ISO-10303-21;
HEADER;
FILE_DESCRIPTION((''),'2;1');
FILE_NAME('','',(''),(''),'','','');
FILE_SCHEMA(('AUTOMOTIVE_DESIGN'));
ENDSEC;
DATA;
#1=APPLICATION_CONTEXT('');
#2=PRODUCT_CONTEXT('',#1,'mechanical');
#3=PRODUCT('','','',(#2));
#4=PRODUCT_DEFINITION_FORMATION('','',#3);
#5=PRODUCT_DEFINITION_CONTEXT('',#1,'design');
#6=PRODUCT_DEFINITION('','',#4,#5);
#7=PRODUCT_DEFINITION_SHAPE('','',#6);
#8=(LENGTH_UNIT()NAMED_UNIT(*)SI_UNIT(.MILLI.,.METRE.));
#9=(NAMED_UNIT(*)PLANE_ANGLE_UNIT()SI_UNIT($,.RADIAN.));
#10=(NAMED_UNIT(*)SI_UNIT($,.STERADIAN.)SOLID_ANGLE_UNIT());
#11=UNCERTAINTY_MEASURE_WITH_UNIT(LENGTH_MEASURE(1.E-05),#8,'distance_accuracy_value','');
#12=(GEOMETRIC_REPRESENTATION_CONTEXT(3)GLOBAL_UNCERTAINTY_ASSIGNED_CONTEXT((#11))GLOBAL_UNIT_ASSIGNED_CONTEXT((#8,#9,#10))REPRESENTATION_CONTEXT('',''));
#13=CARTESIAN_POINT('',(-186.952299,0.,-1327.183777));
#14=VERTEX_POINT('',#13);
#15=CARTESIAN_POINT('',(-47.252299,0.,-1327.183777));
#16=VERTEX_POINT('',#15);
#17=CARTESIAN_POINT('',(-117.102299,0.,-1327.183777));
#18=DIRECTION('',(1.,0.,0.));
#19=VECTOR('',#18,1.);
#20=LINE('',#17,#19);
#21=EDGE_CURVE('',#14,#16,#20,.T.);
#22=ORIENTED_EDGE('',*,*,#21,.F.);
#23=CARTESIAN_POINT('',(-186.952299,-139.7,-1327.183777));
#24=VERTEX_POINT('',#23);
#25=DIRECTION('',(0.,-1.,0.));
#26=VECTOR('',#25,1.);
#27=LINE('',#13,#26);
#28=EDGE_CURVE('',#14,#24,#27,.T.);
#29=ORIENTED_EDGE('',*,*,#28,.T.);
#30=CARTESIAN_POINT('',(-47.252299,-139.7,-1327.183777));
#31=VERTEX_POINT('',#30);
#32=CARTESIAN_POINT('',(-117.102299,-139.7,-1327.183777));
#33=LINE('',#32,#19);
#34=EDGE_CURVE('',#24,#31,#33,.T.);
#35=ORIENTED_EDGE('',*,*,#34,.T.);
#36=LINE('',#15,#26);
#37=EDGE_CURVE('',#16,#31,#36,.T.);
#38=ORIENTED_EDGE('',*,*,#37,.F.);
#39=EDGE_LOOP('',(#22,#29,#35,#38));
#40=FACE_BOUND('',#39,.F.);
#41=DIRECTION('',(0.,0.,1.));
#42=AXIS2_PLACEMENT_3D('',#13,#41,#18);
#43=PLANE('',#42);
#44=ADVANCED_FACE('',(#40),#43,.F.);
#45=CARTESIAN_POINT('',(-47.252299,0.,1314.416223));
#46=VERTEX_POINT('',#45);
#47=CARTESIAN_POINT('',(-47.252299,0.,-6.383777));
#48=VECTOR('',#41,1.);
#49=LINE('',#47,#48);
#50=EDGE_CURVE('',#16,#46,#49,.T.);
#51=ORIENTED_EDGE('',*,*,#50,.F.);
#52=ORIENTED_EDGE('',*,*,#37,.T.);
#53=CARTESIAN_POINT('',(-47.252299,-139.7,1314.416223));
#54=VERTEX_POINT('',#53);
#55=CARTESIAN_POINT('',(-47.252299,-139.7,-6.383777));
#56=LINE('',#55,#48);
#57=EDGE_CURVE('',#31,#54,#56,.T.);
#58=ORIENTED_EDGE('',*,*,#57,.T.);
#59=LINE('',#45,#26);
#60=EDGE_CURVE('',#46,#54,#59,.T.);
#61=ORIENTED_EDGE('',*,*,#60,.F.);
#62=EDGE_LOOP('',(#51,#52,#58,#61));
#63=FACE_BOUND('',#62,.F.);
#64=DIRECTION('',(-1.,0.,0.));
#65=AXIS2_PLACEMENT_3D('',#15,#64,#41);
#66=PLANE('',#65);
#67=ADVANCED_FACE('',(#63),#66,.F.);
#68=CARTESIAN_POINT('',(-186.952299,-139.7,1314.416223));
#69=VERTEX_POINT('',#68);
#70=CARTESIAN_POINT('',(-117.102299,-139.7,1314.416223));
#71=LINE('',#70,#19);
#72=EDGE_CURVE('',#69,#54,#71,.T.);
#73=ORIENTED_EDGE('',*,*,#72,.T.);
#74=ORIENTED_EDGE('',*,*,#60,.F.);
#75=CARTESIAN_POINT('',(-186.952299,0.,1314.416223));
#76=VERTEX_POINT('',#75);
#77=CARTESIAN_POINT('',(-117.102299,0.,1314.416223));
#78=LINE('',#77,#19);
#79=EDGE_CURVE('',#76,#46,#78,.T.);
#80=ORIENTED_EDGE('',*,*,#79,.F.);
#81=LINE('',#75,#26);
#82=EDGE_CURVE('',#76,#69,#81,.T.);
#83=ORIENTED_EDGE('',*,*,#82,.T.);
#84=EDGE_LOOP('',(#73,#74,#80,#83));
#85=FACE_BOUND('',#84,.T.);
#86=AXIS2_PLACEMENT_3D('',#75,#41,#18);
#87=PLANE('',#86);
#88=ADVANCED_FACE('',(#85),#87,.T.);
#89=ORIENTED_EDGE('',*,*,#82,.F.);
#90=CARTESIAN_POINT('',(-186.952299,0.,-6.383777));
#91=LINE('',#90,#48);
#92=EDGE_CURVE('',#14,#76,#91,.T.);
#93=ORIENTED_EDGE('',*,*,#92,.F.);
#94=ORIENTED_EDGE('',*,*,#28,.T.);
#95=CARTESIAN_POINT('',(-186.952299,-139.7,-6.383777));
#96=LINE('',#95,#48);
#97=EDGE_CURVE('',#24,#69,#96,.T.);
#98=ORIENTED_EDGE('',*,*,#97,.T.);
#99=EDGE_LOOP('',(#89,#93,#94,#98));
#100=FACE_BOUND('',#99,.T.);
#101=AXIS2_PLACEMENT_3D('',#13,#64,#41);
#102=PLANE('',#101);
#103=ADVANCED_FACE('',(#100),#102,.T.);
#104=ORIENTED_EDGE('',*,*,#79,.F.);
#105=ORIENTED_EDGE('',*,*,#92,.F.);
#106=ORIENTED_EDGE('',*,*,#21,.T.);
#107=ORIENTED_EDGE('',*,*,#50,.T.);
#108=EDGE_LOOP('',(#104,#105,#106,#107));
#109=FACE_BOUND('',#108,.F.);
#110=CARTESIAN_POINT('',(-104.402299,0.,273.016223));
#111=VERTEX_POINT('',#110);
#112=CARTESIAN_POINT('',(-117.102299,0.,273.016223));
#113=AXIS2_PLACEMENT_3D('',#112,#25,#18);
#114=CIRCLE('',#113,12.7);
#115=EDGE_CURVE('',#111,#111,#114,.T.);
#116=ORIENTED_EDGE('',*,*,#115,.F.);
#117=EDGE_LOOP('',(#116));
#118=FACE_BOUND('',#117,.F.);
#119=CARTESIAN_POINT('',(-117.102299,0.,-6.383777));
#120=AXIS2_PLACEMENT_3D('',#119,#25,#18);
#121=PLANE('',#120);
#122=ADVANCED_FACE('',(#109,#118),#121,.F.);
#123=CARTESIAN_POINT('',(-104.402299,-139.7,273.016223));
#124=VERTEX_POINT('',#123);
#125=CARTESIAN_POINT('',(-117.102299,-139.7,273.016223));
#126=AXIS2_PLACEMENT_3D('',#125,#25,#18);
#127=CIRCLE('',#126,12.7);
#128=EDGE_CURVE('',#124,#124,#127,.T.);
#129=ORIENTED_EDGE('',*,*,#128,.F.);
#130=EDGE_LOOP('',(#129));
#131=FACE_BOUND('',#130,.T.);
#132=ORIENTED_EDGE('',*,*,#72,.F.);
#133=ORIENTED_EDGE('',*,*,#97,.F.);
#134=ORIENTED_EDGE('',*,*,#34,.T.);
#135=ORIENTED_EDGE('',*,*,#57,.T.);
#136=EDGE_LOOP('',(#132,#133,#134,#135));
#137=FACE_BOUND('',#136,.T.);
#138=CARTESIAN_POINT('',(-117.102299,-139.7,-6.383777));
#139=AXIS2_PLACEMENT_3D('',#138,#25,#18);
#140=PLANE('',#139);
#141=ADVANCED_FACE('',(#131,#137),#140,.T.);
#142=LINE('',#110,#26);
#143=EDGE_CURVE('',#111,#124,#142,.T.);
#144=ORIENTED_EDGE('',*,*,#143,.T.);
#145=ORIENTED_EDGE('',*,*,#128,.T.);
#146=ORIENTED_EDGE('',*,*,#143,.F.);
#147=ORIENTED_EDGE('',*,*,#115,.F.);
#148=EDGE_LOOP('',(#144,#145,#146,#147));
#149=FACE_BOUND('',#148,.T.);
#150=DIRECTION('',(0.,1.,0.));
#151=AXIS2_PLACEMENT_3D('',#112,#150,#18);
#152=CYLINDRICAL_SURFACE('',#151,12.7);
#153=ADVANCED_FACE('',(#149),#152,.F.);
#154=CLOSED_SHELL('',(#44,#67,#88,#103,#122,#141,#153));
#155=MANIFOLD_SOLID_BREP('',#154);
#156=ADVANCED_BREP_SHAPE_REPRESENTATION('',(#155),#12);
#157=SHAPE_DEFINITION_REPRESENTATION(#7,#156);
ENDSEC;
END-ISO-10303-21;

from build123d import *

# Parameters (mm, degrees)
F0_W     = 139.7
F0_H     = 2641.6
F0_R     = 12.7
F1_DEPTH = 139.7


with BuildPart() as f1:
    # F0 (on Front) → F1 (new body)
    with BuildSketch(Plane.XZ):
        with Locations((-117.102299, -6.383777)):
            Rectangle(F0_W, F0_H)
        with Locations((-117.102299, 273.016223)):
            Circle(F0_R, mode=Mode.SUBTRACT)
    extrude(amount=F1_DEPTH)


solid = f1.part
